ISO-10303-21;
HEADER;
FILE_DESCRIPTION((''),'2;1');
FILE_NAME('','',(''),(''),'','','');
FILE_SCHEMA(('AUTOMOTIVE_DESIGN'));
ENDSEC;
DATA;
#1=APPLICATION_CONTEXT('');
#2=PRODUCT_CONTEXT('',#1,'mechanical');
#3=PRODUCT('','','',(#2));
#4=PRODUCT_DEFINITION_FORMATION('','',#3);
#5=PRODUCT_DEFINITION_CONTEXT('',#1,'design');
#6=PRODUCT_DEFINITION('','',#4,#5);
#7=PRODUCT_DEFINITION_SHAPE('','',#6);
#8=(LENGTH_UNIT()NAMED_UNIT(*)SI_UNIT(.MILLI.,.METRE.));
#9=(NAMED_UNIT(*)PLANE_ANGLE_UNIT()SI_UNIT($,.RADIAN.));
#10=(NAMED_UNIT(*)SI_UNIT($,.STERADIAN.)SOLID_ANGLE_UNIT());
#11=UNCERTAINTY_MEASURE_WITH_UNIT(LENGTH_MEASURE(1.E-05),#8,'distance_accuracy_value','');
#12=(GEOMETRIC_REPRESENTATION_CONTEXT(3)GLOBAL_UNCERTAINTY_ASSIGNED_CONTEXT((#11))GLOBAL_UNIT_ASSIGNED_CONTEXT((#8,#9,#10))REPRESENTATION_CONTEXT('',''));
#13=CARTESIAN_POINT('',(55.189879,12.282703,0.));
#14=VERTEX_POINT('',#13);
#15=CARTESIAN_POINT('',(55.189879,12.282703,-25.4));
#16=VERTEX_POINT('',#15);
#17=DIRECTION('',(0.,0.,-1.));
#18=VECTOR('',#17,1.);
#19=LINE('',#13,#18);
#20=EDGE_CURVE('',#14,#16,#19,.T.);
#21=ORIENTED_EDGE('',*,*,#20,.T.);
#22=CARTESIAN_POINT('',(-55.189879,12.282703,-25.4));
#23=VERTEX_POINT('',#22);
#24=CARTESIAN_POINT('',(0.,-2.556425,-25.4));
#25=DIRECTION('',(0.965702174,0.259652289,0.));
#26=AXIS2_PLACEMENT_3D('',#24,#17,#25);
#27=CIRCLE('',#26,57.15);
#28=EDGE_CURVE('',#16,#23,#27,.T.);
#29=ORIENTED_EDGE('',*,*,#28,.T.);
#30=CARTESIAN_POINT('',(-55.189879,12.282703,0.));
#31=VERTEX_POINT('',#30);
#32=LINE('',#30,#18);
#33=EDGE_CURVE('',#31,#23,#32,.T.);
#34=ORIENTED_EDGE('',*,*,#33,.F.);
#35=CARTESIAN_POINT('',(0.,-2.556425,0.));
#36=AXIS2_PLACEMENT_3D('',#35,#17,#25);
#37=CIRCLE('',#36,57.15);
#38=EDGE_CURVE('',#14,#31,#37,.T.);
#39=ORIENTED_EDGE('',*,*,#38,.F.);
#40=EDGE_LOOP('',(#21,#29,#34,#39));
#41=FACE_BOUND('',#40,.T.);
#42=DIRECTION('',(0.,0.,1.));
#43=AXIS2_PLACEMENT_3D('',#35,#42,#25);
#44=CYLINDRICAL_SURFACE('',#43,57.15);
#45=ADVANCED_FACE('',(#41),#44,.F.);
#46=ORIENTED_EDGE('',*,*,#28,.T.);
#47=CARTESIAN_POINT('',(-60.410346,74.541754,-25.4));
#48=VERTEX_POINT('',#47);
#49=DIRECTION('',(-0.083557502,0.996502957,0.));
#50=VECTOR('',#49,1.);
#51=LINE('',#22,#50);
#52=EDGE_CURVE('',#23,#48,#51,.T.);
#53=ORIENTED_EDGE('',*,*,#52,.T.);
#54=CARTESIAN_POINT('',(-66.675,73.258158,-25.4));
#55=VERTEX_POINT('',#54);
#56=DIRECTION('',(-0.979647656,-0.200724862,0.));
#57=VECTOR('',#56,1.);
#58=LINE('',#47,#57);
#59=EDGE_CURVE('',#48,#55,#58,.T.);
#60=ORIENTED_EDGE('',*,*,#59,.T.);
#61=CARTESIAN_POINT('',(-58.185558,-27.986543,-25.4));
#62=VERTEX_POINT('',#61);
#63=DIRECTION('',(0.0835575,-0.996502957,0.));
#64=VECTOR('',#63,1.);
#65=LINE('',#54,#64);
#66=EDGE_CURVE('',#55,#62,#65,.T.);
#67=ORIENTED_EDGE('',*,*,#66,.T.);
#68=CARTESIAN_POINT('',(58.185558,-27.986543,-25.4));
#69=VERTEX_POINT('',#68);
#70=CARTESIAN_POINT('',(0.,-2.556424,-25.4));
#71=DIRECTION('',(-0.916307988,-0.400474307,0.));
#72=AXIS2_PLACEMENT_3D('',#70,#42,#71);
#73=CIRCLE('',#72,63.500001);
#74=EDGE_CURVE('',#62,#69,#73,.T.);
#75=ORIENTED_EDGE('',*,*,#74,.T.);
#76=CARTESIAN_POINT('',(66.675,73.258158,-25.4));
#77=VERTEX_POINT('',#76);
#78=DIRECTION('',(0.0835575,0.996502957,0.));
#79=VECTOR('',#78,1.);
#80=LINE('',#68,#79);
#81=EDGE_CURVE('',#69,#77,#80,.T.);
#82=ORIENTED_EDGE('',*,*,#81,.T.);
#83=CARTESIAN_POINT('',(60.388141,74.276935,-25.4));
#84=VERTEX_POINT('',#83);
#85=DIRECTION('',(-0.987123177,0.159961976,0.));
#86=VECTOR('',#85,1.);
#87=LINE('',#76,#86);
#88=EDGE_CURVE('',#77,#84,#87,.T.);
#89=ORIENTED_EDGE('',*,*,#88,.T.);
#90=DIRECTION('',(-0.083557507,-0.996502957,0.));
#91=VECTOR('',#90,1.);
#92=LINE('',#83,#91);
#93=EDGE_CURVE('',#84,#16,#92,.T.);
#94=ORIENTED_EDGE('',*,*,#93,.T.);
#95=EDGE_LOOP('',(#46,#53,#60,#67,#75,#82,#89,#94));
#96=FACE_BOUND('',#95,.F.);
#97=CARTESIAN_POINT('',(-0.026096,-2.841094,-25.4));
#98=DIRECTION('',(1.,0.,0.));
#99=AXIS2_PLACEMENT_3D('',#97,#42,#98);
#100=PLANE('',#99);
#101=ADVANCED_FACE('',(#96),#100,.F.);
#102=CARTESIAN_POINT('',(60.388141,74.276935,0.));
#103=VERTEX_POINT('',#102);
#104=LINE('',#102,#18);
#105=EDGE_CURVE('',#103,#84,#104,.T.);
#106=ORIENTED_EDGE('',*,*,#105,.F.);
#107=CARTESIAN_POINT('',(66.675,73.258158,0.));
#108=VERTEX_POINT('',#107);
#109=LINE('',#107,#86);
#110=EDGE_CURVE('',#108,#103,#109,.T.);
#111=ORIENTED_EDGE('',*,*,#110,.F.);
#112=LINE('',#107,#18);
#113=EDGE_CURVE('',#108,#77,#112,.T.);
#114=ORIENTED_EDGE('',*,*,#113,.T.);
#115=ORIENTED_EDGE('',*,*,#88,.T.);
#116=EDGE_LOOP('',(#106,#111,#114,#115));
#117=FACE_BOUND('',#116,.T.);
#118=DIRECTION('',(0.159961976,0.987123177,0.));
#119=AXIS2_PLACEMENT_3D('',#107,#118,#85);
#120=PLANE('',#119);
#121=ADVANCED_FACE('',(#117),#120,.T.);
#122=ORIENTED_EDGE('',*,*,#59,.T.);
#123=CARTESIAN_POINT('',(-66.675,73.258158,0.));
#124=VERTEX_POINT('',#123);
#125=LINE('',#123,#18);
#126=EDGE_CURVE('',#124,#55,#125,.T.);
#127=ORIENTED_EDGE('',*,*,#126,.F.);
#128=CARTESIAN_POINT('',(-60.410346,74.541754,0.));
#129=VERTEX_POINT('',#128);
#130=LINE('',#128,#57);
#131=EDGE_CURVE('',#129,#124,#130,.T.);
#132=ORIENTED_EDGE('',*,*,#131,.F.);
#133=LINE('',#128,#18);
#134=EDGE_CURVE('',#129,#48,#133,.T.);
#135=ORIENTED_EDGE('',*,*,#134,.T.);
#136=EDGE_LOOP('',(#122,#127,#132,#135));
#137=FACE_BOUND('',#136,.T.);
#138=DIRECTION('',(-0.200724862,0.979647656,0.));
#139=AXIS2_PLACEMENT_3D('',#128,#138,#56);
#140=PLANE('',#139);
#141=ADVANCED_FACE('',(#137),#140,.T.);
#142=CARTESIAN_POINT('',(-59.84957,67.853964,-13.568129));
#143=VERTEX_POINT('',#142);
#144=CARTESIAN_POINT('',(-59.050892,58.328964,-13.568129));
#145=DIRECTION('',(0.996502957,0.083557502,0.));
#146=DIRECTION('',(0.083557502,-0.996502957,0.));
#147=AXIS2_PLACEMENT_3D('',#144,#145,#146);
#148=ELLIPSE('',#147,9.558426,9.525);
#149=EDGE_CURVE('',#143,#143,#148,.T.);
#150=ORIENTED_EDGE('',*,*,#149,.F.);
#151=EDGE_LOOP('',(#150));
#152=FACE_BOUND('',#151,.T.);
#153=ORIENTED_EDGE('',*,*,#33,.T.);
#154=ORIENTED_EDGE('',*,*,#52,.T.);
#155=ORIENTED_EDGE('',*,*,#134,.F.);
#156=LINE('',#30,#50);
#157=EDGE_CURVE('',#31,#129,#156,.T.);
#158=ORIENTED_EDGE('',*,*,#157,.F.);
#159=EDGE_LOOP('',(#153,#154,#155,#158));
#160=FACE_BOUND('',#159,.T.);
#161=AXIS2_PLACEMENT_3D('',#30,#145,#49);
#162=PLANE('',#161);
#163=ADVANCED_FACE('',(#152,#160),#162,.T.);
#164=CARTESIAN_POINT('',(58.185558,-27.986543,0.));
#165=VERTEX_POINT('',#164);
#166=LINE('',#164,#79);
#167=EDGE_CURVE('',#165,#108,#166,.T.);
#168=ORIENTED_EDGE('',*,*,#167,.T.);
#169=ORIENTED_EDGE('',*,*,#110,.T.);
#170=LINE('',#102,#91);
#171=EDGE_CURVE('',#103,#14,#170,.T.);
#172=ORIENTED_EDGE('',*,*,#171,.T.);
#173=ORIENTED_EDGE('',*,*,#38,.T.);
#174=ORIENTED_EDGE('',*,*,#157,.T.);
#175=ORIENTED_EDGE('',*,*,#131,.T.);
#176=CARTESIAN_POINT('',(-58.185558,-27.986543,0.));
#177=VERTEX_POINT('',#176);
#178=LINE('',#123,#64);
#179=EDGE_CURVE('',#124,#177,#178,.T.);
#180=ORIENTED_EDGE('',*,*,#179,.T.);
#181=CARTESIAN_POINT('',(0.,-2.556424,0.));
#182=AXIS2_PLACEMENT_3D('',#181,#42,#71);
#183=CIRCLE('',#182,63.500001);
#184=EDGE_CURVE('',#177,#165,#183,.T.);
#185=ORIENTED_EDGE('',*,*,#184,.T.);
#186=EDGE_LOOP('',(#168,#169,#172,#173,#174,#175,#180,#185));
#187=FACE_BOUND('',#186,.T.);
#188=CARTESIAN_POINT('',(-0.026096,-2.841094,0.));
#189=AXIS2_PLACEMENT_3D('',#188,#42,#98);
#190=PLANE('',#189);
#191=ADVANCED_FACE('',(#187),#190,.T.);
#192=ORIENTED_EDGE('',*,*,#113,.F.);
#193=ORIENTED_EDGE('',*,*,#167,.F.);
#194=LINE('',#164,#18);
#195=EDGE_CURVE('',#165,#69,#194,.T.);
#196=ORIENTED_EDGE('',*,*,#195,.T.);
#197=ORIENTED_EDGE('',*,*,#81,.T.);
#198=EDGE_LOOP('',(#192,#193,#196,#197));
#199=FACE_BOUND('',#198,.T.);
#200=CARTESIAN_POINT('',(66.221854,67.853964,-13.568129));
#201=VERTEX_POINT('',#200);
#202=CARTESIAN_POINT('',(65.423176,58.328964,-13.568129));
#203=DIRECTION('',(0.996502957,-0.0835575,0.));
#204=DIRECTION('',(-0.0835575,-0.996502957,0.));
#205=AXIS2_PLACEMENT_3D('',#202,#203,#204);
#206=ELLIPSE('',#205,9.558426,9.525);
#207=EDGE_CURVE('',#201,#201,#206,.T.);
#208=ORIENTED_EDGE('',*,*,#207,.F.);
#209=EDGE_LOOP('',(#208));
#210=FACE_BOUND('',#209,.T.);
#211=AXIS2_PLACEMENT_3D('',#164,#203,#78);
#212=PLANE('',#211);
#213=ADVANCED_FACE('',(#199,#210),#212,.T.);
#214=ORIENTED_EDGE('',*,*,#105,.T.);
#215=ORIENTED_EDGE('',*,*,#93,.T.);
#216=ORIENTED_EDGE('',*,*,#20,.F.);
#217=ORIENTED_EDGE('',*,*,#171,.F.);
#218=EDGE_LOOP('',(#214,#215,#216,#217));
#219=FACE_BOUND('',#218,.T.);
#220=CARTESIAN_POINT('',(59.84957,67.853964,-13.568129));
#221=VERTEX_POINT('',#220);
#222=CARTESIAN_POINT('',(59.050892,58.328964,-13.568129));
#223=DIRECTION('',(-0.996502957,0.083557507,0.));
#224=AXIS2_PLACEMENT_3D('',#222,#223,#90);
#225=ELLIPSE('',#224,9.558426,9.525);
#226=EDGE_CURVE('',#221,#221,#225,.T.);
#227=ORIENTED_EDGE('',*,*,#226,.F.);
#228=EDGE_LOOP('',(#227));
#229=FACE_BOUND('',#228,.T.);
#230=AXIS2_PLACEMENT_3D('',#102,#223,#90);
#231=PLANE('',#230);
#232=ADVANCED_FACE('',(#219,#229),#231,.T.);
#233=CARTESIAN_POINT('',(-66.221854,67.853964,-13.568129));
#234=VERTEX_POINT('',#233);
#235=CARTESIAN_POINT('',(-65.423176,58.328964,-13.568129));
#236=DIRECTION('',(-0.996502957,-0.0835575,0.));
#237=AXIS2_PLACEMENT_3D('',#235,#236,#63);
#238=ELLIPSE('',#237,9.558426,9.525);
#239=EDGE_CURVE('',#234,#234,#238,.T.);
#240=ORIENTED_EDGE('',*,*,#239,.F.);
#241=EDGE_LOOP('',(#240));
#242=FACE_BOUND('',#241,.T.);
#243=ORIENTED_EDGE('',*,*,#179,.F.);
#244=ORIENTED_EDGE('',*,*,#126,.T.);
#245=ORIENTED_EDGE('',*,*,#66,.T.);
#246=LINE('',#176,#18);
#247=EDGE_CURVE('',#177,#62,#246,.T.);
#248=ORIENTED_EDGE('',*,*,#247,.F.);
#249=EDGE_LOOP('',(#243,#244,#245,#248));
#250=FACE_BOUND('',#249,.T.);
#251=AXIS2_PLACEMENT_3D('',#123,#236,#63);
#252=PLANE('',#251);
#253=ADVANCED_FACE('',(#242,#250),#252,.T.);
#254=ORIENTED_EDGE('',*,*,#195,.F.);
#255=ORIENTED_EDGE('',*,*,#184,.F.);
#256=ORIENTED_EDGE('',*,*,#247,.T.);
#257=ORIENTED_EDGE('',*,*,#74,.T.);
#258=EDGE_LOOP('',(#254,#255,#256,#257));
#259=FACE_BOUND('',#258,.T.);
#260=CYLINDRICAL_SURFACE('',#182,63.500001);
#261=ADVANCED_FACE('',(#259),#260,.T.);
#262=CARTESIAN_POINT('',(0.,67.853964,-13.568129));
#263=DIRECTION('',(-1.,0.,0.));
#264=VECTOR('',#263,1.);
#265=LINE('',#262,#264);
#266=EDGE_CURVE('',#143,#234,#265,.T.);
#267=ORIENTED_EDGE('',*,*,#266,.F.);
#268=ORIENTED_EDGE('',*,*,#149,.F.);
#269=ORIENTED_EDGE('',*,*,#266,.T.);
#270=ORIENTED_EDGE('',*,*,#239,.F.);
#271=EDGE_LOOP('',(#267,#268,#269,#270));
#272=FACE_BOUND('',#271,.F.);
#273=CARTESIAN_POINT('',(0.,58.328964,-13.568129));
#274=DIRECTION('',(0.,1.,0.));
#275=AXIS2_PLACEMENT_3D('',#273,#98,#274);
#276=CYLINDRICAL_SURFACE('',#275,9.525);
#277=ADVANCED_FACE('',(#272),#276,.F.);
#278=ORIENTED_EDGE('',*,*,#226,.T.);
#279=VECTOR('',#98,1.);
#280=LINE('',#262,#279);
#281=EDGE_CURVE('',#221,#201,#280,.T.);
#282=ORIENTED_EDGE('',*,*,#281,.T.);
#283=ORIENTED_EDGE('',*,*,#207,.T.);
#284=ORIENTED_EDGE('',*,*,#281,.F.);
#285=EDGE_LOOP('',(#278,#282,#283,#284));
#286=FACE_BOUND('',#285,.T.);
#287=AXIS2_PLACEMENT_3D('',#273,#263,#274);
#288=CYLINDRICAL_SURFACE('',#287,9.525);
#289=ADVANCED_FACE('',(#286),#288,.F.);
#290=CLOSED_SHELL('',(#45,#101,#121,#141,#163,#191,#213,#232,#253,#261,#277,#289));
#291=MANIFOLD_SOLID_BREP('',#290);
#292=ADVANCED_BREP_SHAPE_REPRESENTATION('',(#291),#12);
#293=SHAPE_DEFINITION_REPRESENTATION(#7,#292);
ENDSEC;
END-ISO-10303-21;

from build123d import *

# Parameters (mm, degrees)
F1_DEPTH = 25.4
F2_R     = 9.525
F3_DEPTH = 66.676
F4_DEPTH = 66.676


with BuildPart() as f1:
    # F0 (on Top) → F1 (new body)
    with BuildSketch(Plane.XY):
        with BuildLine():
            Line((-60.410346, 74.541754), (-66.675, 73.258158))
            Line((-66.675, 73.258158), (-58.185558, -27.986543))
            ThreePointArc((-58.185558, -27.986543), (0, -66.056425), (58.185558, -27.986543))
            Line((58.185558, -27.986543), (66.675, 73.258158))
            Line((66.675, 73.258158), (60.388141, 74.276935))
            Line((60.388141, 74.276935), (55.189879, 12.282703))
            ThreePointArc((55.189879, 12.282703), (0, -59.706425), (-55.189879, 12.282703))
            Line((-55.189879, 12.282703), (-60.410346, 74.541754))
        make_face()
    extrude(amount=-F1_DEPTH)

    # F2 (on Right) → F3 (cut, through all)
    with BuildSketch(Plane.YZ):
        with Locations((58.328964, -13.568129)):
            Circle(F2_R)
    extrude(amount=F3_DEPTH, mode=Mode.SUBTRACT)

    # F2 (on Right) → F4 (cut, through all)
    with BuildSketch(Plane.YZ):
        with Locations((58.328964, -13.568129)):
            Circle(F2_R)
    extrude(amount=-F4_DEPTH, mode=Mode.SUBTRACT)


solid = f1.part
